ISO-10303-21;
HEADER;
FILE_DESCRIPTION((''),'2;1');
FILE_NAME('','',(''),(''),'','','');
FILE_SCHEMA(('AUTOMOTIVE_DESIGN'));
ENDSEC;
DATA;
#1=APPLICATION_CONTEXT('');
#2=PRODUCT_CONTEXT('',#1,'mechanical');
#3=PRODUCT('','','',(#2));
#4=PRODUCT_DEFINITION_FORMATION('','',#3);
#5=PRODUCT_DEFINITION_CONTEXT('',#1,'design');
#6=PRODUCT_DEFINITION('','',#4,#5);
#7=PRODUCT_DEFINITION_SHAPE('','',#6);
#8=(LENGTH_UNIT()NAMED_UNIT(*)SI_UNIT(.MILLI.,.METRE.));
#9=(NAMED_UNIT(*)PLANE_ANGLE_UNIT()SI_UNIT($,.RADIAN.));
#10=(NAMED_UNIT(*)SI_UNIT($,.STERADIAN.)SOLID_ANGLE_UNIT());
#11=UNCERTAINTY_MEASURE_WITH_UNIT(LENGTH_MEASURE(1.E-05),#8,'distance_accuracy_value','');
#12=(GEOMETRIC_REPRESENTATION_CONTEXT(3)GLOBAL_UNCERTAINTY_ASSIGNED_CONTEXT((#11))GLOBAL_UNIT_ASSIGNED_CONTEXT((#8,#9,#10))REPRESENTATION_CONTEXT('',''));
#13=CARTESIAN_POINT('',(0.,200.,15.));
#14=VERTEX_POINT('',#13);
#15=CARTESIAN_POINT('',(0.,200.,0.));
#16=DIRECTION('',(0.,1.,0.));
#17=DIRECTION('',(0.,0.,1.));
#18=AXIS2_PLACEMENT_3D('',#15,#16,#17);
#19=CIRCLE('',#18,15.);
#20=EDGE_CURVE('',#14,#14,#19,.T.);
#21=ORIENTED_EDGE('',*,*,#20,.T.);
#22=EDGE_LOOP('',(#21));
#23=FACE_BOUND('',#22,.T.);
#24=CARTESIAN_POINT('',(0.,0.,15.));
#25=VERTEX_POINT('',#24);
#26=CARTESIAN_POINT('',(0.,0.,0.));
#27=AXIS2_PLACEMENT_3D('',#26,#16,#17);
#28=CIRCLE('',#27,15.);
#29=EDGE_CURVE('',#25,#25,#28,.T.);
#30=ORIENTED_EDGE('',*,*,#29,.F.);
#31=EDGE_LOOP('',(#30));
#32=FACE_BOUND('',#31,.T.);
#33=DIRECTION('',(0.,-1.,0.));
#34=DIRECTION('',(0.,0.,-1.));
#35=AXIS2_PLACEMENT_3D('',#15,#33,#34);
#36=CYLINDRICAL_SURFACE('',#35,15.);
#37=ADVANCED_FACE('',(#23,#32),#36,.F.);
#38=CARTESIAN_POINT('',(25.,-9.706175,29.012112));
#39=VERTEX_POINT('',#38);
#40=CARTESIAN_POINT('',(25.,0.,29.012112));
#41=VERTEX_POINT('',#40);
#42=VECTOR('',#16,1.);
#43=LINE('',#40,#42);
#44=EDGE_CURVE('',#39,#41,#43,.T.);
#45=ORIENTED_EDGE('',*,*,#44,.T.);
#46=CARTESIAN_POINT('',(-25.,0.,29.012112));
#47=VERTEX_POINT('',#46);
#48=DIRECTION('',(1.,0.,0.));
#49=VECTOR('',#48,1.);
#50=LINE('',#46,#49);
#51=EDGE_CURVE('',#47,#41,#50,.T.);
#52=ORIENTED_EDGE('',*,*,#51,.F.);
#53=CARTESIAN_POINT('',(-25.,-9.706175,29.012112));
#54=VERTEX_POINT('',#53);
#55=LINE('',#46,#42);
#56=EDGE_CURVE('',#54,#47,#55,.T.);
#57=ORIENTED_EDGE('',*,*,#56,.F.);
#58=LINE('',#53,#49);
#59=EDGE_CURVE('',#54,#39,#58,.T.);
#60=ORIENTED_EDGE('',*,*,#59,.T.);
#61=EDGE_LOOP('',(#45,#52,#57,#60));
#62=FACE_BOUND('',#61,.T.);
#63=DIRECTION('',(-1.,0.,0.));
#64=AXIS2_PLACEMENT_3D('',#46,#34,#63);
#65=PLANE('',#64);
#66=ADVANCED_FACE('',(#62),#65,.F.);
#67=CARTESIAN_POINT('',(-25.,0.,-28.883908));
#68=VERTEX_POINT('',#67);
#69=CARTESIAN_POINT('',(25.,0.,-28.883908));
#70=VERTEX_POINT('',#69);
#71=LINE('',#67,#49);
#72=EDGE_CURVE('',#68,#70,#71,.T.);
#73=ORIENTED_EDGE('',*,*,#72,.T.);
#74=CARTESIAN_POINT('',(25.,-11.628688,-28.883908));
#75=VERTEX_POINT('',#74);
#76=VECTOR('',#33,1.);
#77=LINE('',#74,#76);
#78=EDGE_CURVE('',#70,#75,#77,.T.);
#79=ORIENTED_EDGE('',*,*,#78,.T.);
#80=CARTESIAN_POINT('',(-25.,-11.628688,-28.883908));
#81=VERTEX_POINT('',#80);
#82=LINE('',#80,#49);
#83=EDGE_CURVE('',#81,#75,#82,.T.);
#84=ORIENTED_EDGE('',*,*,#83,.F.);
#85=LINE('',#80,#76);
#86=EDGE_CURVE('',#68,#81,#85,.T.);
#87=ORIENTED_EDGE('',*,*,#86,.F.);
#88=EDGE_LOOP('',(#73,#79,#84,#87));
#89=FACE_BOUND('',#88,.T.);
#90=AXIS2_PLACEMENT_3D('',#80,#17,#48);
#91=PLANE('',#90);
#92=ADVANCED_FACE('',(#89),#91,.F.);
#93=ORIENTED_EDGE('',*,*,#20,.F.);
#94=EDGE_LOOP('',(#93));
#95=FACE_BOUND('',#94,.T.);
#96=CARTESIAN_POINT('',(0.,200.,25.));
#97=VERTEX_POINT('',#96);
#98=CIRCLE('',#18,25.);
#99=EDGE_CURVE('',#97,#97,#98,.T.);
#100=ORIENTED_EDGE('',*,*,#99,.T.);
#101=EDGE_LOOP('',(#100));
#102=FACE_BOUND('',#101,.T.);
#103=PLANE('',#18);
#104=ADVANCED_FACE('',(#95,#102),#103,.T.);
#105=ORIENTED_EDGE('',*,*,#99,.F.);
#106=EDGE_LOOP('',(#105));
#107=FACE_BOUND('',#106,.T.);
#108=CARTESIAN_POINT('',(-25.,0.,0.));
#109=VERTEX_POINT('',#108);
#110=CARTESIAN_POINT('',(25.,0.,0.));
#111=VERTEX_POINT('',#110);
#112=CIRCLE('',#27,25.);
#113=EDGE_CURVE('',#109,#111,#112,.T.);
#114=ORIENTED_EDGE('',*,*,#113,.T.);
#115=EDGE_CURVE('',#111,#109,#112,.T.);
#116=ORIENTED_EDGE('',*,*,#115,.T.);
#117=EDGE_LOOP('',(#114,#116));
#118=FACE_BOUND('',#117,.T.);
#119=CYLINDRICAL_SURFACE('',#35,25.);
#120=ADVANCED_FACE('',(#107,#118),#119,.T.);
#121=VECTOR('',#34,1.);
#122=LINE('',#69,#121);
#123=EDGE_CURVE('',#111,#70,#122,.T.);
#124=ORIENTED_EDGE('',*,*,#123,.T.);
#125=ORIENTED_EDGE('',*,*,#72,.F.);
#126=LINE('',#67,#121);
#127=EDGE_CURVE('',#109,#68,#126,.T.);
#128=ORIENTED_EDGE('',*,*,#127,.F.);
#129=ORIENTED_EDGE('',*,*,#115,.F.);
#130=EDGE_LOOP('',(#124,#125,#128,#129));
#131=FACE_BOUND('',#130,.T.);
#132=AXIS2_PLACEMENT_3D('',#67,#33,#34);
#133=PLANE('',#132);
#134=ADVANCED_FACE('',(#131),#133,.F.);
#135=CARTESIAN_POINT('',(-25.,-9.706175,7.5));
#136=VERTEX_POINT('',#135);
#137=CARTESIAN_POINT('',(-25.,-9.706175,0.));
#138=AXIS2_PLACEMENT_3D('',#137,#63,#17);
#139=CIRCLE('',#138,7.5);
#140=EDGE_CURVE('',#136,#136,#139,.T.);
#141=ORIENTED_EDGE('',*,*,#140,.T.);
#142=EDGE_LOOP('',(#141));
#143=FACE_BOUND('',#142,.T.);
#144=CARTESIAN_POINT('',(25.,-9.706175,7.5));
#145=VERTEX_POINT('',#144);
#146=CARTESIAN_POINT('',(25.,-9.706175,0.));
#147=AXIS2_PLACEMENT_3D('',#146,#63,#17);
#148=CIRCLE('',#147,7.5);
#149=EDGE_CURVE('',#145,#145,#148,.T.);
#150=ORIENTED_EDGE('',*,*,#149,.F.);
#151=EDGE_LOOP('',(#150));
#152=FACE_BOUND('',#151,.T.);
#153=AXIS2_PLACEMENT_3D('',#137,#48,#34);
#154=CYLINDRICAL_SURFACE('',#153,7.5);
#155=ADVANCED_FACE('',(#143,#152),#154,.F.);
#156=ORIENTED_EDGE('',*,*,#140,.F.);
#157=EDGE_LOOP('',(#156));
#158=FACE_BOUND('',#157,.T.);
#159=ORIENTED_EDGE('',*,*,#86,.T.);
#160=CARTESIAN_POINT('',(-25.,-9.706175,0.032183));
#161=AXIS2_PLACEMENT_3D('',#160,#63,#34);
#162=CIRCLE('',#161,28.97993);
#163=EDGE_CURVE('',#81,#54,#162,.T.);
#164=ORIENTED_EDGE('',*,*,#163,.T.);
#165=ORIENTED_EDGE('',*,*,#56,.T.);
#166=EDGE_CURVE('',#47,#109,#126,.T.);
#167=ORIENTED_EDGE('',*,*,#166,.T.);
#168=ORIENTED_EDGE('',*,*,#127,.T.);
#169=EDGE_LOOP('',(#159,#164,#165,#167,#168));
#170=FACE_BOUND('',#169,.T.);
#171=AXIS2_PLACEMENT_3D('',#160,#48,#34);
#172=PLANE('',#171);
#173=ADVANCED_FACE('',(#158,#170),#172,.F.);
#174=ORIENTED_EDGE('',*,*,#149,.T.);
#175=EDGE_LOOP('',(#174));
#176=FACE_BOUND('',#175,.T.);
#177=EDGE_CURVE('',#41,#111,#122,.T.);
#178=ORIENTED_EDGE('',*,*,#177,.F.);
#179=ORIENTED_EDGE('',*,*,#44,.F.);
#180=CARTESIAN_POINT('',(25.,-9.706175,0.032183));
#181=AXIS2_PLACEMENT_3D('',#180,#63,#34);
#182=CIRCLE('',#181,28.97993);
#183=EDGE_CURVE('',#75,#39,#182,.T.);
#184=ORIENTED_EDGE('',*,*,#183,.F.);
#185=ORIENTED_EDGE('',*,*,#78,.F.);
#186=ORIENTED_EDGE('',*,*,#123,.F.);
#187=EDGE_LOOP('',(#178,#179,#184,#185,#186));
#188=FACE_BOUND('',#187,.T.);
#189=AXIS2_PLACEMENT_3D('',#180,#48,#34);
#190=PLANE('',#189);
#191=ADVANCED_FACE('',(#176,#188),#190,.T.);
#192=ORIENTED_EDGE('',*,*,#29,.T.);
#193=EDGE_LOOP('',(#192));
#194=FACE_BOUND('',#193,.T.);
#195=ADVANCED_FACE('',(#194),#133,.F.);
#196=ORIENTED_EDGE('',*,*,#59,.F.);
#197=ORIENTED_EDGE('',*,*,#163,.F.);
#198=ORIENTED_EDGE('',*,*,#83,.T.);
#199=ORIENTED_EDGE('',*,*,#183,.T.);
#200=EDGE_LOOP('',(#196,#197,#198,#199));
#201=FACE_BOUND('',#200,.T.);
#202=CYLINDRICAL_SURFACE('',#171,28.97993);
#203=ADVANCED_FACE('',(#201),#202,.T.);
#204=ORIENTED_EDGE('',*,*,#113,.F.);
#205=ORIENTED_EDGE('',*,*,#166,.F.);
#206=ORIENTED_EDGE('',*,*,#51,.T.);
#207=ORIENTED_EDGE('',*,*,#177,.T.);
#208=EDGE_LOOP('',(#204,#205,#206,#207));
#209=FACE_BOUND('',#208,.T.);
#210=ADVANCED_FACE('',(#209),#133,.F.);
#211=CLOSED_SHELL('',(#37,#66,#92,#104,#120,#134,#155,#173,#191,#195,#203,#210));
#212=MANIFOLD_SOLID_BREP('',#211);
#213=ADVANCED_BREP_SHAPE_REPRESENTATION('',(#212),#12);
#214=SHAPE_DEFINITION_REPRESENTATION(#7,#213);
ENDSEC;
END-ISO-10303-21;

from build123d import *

# Parameters (mm, degrees)
SKETCH2_R           = 25
SKETCH2_R_2         = 15
BOSS_EXTRUDE1_DEPTH = 200
SKETCH5_R           = 7.5
BOSS_EXTRUDE2_DEPTH = 25


with BuildPart() as part:
    # Sketch2 → Boss-Extrude1 (new body)
    with BuildSketch(Plane(origin=(0, 0, 0), x_dir=(1, 0, 0), z_dir=(0, 1, 0))):
        Circle(SKETCH2_R)
        Circle(SKETCH2_R_2, mode=Mode.SUBTRACT)
    extrude(amount=BOSS_EXTRUDE1_DEPTH)

    # Sketch5 → Boss-Extrude2 (add, symmetric)
    with BuildSketch(Plane(origin=(0, 0, 0), x_dir=(0, -1, 0), z_dir=(-1, 0, 0))):
        with BuildLine():
            Line((0, 29.012112286), (9.706174679, 29.012112286))
            ThreePointArc((9.706174679, 29.012112286), (38.670140077, 0.993968953), (11.62868774, -28.883907525))
            Line((11.62868774, -28.883907525), (0, -28.883907525))
            Line((0, -28.883907525), (0, 29.012112286))
        make_face()
        with Locations((9.706174679, 0)):
            Circle(SKETCH5_R, mode=Mode.SUBTRACT)
    extrude(amount=BOSS_EXTRUDE2_DEPTH, both=True)


solid = part.part
